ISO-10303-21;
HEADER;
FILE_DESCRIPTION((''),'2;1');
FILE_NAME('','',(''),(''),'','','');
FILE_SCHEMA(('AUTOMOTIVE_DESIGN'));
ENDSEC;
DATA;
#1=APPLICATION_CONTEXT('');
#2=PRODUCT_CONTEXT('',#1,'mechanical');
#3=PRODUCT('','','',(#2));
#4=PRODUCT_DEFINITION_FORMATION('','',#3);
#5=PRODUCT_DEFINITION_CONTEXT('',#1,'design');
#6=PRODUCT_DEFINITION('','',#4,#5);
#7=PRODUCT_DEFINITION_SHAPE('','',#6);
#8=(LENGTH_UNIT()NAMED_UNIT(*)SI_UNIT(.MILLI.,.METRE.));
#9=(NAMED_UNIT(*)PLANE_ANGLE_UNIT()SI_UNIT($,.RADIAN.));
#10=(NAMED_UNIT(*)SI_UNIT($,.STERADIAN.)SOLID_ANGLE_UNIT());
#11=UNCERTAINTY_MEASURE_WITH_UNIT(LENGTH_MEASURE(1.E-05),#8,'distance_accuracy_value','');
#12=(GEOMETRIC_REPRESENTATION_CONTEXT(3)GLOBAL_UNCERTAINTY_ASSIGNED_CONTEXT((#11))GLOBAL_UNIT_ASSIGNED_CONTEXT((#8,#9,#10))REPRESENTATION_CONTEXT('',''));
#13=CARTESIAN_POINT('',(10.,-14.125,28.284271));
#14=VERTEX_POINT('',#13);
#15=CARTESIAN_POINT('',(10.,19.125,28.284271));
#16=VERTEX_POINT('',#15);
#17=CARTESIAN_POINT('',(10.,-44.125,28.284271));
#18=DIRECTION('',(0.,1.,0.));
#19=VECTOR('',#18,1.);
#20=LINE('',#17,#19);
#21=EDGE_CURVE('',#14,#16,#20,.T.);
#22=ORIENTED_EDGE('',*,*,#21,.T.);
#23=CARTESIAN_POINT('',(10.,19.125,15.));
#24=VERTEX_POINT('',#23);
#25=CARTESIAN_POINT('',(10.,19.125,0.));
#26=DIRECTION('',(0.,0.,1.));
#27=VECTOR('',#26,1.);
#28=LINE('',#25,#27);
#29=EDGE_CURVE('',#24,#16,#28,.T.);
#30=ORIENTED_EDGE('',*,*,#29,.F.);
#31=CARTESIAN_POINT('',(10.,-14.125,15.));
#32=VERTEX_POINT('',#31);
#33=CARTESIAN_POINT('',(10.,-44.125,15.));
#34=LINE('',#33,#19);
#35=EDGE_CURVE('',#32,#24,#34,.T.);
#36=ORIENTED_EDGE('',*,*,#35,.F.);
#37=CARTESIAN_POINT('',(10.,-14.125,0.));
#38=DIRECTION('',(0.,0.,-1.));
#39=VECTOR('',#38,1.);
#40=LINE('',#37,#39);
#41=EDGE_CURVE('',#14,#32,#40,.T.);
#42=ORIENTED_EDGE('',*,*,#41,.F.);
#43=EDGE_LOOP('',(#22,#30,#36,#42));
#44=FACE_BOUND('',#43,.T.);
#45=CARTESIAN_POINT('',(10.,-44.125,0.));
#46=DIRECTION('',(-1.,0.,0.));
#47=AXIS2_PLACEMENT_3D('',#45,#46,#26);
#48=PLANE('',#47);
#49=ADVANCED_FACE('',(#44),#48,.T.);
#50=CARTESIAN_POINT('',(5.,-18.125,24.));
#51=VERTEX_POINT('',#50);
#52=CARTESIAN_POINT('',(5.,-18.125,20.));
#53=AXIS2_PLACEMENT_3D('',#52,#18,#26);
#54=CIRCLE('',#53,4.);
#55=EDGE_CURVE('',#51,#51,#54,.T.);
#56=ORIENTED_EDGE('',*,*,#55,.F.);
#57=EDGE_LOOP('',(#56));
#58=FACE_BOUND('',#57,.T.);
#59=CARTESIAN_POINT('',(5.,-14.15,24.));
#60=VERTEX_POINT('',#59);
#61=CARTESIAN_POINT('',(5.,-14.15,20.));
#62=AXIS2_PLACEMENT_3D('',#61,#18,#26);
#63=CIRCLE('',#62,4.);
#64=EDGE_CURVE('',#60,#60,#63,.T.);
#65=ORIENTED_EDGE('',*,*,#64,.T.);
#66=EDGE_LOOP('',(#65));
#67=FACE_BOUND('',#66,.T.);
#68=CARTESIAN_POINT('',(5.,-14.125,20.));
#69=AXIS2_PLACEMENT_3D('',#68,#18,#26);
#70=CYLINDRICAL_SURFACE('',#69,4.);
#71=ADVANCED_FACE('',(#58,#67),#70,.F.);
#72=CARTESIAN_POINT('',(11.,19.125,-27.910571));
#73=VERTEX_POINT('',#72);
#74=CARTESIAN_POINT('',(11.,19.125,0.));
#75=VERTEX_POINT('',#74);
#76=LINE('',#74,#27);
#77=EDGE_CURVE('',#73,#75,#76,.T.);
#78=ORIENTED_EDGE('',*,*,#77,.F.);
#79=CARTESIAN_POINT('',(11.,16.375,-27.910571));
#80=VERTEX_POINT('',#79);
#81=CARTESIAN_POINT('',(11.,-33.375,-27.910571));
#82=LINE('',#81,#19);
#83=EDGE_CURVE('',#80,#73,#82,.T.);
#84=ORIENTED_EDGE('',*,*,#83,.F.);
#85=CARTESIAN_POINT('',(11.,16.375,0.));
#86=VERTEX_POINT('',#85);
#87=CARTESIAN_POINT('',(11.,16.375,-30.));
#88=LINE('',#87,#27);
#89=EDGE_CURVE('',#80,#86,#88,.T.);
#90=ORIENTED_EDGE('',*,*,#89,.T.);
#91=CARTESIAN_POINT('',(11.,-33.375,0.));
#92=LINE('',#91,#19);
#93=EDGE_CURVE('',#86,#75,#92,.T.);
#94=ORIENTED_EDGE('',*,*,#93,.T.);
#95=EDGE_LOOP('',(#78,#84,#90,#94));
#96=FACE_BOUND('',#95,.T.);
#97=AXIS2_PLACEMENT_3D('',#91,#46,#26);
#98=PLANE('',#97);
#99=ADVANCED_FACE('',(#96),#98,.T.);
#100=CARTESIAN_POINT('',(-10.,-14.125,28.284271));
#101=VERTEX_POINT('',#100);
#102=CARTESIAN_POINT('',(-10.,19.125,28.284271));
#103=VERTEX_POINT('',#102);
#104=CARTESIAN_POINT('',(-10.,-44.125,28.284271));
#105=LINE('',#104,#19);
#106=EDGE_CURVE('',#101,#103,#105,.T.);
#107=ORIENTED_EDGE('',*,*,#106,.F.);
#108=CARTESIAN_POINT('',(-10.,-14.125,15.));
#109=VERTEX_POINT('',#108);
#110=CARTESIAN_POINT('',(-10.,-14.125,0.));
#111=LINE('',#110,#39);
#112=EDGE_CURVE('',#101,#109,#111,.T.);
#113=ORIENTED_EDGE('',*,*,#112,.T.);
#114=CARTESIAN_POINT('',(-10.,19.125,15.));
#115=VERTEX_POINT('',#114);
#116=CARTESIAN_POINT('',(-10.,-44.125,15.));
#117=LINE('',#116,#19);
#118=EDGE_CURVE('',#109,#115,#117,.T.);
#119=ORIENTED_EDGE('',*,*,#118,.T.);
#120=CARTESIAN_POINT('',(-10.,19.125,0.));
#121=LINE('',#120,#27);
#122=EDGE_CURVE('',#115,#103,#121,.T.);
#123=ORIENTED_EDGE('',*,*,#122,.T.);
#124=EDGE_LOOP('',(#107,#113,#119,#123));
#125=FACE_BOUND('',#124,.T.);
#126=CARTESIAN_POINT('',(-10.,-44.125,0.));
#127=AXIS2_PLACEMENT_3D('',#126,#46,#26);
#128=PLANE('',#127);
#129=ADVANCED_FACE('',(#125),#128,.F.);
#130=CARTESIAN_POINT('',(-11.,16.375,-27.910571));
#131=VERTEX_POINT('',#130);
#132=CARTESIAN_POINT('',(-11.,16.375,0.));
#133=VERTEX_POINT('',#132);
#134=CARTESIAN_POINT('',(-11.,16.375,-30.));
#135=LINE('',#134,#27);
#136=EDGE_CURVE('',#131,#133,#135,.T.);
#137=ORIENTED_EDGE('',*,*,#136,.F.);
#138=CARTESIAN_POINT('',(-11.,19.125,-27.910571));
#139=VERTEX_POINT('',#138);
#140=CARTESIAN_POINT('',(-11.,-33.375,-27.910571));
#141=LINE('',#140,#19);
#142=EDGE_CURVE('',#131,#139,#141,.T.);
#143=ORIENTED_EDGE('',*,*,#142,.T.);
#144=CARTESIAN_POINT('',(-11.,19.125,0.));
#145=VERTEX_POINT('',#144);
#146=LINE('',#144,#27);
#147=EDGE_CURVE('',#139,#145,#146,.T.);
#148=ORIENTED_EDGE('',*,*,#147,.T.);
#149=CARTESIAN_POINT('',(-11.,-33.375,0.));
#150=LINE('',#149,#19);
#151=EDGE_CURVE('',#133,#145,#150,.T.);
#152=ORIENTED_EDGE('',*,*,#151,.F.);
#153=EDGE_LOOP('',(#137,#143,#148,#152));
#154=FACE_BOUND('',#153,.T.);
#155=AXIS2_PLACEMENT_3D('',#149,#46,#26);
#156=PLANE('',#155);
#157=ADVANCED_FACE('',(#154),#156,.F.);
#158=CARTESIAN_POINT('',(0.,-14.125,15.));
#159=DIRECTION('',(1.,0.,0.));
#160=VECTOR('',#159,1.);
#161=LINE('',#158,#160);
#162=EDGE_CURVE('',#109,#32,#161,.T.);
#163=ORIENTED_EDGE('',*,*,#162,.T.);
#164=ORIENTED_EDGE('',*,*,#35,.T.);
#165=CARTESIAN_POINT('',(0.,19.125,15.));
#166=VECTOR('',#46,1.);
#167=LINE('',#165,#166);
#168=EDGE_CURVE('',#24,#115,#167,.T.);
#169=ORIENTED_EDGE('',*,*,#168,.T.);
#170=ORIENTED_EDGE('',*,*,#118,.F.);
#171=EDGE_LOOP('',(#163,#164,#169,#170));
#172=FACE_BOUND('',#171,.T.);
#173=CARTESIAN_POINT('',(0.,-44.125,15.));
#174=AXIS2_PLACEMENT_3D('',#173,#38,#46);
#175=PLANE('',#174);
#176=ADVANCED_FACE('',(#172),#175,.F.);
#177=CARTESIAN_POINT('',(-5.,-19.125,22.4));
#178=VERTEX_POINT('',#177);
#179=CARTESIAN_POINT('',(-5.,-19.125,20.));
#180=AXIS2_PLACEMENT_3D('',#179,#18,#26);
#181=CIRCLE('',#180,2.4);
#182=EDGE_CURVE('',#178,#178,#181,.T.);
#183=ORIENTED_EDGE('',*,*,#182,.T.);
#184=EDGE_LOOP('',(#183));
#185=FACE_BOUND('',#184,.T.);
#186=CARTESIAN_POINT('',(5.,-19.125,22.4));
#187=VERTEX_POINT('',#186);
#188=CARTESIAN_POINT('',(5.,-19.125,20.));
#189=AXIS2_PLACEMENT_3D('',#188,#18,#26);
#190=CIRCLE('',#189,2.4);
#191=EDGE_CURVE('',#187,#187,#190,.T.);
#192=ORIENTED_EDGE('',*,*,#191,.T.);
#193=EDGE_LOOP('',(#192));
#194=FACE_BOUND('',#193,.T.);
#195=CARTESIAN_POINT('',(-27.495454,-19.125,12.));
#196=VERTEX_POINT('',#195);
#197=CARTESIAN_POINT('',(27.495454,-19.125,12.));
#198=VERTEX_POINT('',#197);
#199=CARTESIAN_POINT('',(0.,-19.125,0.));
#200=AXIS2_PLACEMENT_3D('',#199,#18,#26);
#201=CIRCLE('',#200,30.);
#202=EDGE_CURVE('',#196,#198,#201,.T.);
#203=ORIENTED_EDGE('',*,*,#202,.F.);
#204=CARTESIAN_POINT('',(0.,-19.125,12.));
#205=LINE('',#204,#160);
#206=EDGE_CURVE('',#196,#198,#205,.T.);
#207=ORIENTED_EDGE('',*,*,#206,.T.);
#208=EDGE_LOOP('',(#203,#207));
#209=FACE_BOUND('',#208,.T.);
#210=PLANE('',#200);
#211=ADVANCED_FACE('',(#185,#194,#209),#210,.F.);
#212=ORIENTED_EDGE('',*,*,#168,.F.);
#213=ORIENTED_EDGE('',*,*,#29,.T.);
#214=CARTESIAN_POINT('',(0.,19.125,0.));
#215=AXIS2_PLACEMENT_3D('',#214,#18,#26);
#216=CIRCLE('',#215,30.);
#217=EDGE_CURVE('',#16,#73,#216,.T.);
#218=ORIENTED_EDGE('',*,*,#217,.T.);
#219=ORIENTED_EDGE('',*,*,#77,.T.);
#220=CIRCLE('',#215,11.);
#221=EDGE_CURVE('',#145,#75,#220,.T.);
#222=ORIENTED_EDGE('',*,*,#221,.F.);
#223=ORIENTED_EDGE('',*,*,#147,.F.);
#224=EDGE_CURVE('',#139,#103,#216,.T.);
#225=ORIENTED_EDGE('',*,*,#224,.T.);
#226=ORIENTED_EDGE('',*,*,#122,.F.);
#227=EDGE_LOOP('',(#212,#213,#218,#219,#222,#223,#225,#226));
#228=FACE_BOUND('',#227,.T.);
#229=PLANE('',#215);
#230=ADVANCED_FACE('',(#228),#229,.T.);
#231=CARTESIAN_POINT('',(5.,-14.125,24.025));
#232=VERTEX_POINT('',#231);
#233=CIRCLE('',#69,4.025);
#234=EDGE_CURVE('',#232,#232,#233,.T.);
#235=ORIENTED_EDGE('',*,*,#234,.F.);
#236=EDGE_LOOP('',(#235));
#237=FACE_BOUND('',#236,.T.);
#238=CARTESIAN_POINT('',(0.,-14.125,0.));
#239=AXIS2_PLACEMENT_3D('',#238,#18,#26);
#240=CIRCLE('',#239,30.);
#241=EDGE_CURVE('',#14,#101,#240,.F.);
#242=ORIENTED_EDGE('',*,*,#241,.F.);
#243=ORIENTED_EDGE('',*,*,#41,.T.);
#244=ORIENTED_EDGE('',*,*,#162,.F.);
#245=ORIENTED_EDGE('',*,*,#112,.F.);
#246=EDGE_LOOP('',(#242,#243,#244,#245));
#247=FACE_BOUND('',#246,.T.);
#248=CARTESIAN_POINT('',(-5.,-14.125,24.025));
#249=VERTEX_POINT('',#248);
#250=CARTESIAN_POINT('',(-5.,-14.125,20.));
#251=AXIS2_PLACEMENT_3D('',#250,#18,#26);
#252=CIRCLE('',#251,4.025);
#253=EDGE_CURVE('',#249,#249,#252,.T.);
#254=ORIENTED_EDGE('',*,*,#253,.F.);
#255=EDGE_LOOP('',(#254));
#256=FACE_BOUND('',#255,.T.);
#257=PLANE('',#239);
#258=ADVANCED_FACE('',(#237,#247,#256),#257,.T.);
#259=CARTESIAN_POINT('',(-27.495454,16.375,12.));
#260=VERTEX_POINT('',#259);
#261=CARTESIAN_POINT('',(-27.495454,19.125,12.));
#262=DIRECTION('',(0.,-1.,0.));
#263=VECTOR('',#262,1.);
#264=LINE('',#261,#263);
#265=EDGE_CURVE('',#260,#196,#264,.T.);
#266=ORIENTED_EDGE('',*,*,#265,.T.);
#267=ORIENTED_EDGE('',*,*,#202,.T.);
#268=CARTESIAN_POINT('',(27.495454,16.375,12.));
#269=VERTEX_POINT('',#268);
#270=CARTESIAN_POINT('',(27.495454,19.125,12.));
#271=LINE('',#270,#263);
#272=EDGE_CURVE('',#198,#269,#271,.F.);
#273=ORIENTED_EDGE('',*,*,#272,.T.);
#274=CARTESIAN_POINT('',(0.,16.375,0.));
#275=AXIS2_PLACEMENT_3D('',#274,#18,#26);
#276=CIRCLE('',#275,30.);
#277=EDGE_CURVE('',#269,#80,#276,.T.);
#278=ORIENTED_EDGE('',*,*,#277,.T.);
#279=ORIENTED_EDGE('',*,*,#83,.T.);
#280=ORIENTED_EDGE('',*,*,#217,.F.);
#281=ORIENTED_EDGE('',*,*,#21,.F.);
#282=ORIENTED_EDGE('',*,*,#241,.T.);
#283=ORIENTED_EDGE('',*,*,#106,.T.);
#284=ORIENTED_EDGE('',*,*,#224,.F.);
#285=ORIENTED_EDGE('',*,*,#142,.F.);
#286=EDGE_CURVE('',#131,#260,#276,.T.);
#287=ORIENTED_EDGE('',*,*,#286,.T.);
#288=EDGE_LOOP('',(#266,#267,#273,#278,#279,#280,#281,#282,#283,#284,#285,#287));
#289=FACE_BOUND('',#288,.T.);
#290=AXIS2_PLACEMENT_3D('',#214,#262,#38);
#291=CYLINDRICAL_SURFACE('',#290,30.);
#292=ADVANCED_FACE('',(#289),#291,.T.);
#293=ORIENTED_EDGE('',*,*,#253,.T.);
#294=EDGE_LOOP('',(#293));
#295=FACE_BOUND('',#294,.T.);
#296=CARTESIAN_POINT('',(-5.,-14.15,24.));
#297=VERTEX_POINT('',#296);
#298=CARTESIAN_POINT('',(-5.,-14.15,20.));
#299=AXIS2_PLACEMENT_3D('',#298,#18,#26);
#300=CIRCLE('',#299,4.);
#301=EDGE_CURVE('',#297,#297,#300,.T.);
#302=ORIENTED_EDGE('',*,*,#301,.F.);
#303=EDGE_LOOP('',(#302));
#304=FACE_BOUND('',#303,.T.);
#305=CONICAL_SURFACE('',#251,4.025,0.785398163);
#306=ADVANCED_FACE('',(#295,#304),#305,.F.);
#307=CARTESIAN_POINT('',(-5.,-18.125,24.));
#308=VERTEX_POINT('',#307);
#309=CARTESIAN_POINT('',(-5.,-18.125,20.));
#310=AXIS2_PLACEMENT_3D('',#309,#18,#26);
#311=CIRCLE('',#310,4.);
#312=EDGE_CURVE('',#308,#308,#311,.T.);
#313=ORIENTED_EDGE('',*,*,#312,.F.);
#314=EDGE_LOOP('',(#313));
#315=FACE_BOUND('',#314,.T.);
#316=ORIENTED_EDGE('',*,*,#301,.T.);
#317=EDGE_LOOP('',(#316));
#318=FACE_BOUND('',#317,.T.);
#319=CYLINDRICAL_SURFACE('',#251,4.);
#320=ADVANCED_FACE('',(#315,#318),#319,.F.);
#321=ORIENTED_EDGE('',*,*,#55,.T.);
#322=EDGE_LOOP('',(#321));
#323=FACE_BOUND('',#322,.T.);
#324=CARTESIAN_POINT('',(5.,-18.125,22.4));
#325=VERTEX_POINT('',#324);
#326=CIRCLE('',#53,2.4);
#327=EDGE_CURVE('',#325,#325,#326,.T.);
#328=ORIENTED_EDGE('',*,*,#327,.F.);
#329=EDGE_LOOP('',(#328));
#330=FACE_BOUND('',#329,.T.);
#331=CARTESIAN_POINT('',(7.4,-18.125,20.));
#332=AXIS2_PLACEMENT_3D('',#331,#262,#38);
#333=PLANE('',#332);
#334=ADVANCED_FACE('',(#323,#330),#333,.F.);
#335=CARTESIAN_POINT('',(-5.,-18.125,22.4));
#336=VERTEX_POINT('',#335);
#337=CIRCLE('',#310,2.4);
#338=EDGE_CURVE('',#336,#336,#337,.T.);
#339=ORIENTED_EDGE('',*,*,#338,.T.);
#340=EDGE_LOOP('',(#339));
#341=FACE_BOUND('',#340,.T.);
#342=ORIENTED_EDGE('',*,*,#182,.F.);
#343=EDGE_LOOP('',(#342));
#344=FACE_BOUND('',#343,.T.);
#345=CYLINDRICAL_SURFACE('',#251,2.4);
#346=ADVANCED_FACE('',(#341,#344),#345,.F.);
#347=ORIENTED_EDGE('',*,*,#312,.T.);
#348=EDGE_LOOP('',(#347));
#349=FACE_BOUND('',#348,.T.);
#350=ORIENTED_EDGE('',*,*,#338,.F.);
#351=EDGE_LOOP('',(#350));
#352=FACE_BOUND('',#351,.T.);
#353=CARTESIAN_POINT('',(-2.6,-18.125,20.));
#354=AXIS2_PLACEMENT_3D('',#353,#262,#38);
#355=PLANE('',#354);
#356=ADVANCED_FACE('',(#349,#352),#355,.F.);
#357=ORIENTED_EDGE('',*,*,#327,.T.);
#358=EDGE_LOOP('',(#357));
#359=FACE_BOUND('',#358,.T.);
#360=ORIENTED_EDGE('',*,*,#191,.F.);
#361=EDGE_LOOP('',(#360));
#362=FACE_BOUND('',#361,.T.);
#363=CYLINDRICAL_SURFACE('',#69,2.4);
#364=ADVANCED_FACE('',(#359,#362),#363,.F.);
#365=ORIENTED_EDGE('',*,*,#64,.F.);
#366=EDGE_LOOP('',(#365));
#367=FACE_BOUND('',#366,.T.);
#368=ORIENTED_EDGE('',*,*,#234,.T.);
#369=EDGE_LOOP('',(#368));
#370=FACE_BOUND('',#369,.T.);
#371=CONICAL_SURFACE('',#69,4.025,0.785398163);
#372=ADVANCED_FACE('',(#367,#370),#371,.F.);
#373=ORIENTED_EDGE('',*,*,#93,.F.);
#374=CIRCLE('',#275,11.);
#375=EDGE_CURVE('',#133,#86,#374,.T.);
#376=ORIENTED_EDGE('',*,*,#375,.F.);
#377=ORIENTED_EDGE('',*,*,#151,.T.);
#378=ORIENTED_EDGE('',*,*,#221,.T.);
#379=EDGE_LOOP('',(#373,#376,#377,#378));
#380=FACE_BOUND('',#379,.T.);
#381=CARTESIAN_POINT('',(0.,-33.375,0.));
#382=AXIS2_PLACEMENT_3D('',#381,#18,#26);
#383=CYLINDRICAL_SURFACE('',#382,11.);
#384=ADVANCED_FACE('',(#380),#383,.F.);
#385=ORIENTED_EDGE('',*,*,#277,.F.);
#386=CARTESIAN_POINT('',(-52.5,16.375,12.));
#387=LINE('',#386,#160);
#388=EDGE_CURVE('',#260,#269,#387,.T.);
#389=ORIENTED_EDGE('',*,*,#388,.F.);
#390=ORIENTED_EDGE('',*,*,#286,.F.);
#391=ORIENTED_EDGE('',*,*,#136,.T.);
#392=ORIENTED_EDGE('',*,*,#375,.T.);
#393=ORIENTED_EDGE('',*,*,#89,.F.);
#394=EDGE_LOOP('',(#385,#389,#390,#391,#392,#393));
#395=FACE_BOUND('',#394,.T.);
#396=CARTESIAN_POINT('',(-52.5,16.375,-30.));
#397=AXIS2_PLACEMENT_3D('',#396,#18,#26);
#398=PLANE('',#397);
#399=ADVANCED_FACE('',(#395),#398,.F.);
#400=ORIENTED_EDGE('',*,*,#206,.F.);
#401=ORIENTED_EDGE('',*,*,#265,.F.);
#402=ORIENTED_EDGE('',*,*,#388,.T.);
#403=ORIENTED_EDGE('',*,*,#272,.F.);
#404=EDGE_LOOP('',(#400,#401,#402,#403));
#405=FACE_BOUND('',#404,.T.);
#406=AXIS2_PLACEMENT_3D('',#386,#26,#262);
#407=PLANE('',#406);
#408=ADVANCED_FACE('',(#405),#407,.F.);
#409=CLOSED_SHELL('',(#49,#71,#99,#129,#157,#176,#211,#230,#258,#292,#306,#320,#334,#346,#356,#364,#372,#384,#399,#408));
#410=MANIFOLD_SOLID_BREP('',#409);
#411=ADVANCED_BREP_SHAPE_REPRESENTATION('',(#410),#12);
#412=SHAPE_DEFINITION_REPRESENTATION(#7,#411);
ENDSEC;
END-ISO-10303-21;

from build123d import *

# Parameters (mm, degrees)
SKETCH1_R                     = 30
BOSS_EXTRUDE1_DEPTH           = 19.125
SKETCH5_W                     = 42
SKETCH5_H                     = 35.5
CUT_EXTRUDE1_DEPTH            = 52.5
SKETCH7_R                     = 11
SKETCH7_W                     = 22
SKETCH7_H                     = 50
CUT_EXTRUDE3_DEPTH            = 52.5
CUT_EXTRUDE4_DEPTH            = 33.25
CBORE_FOR_M4_SHCS1_AT_2_COUNT = 2
CBORE_FOR_M4_SHCS1_AT_2_PITCH = 10


with BuildPart() as part:
    # Sketch1 → Boss-Extrude1 (new, symmetric)
    with BuildSketch(Plane(origin=(0, 0, 0), x_dir=(1, 0, 0), z_dir=(0, 1, 0))):
        with Locations(Location((0, 0, 0), (0, 0, 270))):
            Circle(SKETCH1_R)
    extrude(amount=BOSS_EXTRUDE1_DEPTH, both=True)

    # Sketch5 → Cut-Extrude1 (cut, symmetric)
    with BuildSketch(Plane(origin=(0, 0, 0), x_dir=(0, 0, -1), z_dir=(1, 0, 0))):
        with Locations((9, -1.375)):
            Rectangle(SKETCH5_W, SKETCH5_H)
    extrude(amount=CUT_EXTRUDE1_DEPTH, both=True, mode=Mode.SUBTRACT)

    # Sketch7 → Cut-Extrude3 (cut, symmetric)
    with BuildSketch(Plane(origin=(0, 19.125, 0), x_dir=(1, 0, 0), z_dir=(0, 1, 0))):
        Circle(SKETCH7_R)
        with Locations((0, 25)):
            Rectangle(SKETCH7_W, SKETCH7_H)
    extrude(amount=CUT_EXTRUDE3_DEPTH, both=True, mode=Mode.SUBTRACT)

    # Sketch8 → Cut-Extrude4 (cut)
    with BuildSketch(Plane(origin=(0, 19.125, 0), x_dir=(1, 0, 0), z_dir=(0, 1, 0))):
        with BuildLine():
            Line((10, -28.284271247), (10, -15))
            Line((10, -15), (-10, -15))
            Line((-10, -15), (-10, -28.284271247))
            ThreePointArc((-10, -28.284271247), (-5.073059353, -29.567956791), (1.8e-08, -30))
            ThreePointArc((1.8e-08, -30), (5.07305937, -29.567956788), (10, -28.284271247))
        make_face()
    extrude(amount=-CUT_EXTRUDE4_DEPTH, mode=Mode.SUBTRACT)

    # Sketch11 → CBORE for M4 SHCS1 (revolve, cut)
    with BuildSketch(Plane(origin=(-5, -14.125, 20), x_dir=(0, 0, 1), z_dir=(1, 0, 0))):
        Polygon((0, 0), (0, 7.442065486), (2.4, 6), (2.4, 4), (4, 4), (4, 0.025), (4.025, 0), align=None)
    cbore_for_m4_shcs1 = revolve(axis=Axis((-5, -7.775, 20), (0, -1, 0)), mode=Mode.SUBTRACT)

    # CBORE for M4 SHCS1 at 2: CBORE for M4 SHCS1 ×2
    with Locations(*[(i * CBORE_FOR_M4_SHCS1_AT_2_PITCH, 0, 0) for i in range(1, CBORE_FOR_M4_SHCS1_AT_2_COUNT)]):
        add(cbore_for_m4_shcs1, mode=Mode.SUBTRACT)


solid = part.part
